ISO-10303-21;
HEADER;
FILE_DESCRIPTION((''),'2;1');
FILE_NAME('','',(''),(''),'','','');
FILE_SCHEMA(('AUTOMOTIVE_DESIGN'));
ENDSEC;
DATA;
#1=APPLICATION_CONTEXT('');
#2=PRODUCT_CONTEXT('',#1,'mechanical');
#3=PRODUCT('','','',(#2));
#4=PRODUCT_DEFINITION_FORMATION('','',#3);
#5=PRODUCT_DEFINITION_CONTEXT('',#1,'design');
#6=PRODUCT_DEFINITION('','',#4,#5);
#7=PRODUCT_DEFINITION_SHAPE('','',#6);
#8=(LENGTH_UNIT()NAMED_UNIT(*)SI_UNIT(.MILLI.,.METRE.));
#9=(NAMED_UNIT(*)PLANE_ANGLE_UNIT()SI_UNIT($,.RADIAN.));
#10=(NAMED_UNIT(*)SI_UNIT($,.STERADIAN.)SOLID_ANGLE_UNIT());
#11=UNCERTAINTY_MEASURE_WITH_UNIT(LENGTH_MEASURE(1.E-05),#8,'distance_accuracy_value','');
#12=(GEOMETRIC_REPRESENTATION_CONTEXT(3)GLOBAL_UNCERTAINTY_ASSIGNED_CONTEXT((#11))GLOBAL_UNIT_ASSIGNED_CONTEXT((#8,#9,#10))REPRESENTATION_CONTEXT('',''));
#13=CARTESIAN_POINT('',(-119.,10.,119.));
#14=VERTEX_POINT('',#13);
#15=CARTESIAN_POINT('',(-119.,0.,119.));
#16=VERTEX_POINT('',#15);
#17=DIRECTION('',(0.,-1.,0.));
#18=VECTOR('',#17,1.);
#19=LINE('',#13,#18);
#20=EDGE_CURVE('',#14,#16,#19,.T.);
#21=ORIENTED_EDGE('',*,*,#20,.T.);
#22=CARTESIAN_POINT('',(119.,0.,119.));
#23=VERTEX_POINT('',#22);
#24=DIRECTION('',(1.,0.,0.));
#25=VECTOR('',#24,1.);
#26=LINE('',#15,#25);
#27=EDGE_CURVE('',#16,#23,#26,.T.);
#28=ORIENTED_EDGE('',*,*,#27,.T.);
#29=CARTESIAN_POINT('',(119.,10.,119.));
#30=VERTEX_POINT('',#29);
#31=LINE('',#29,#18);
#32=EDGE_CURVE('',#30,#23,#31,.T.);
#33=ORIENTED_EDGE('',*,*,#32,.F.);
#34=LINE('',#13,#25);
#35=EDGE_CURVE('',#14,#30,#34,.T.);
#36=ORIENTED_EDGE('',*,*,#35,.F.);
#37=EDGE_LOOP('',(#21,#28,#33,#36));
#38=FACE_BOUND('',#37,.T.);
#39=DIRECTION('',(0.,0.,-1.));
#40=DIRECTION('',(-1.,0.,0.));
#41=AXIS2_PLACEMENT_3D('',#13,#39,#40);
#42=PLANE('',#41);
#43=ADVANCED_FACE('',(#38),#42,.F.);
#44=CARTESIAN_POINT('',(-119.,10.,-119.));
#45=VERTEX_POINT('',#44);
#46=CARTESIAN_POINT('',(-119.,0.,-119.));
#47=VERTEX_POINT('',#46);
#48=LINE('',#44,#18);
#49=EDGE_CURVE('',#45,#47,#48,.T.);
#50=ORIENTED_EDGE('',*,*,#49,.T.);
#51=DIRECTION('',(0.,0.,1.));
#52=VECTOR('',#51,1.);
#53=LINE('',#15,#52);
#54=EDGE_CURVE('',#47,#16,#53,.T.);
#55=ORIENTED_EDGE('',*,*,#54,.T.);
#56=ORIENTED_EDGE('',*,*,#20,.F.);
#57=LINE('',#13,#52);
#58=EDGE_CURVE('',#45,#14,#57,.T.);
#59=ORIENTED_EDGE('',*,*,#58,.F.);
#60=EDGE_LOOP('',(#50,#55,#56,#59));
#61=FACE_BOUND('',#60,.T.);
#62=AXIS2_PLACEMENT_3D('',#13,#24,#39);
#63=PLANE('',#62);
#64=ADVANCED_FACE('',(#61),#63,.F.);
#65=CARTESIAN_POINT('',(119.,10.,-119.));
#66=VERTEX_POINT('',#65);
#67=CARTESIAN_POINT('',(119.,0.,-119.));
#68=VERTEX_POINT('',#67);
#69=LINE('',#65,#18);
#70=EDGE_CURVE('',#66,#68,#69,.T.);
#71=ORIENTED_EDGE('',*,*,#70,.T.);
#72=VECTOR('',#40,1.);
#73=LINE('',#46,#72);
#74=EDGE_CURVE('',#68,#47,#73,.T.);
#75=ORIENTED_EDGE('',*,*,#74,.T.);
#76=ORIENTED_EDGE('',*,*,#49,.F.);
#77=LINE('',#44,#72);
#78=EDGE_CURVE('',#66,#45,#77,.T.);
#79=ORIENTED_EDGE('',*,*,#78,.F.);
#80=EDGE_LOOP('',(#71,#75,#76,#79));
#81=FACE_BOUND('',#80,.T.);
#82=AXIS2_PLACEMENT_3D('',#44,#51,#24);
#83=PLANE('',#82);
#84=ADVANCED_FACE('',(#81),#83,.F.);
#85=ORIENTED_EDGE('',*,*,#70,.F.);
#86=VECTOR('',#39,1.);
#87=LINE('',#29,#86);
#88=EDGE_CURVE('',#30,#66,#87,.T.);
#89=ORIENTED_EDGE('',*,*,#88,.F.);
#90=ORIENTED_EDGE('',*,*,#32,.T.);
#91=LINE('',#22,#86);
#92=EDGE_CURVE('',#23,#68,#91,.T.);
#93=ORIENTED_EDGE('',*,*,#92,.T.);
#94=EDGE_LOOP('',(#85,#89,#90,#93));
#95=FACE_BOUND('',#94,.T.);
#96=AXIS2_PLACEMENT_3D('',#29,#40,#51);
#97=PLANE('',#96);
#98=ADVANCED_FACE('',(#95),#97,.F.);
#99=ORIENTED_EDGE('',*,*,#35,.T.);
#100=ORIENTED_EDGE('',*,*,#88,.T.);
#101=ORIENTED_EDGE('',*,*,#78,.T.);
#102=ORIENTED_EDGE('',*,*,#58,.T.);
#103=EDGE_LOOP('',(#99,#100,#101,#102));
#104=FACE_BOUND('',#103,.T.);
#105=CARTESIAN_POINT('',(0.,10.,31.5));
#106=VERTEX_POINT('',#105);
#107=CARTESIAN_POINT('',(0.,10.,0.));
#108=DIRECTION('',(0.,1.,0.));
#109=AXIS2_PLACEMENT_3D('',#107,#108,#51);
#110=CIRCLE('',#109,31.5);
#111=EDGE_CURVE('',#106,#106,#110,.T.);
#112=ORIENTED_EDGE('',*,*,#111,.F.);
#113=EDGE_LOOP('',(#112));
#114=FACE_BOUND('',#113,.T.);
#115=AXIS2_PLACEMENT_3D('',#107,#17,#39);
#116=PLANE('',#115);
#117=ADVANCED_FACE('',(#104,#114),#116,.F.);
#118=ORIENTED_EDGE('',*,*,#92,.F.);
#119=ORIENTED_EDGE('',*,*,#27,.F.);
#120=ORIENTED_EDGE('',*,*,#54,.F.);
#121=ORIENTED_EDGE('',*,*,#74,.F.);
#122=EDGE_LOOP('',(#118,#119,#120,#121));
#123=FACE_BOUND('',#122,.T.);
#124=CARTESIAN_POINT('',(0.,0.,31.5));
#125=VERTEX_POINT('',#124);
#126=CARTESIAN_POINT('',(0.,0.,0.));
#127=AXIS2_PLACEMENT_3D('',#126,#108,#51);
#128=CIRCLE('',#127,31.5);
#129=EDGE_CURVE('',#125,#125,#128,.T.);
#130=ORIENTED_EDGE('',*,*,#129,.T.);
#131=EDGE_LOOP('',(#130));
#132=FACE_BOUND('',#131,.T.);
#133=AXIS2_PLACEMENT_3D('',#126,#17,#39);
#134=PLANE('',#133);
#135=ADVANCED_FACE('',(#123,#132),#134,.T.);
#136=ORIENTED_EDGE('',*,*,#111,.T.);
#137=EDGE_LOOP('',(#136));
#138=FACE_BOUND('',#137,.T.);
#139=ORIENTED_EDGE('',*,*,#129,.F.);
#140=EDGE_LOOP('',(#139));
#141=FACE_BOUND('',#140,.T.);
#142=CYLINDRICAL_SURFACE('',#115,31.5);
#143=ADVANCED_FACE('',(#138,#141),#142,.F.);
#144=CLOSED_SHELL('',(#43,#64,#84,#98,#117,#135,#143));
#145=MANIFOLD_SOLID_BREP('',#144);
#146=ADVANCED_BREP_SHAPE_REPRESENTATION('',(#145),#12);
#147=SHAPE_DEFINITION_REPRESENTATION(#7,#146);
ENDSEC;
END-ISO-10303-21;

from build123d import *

# Parameters (mm, degrees)
SKETCH1_W           = 238
SKETCH1_H           = 238
SKETCH1_R           = 31.5
BOSS_EXTRUDE1_DEPTH = 10


with BuildPart() as part:
    # Sketch1 → Boss-Extrude1 (new body)
    with BuildSketch(Plane(origin=(0, 0, 0), x_dir=(1, 0, 0), z_dir=(0, 1, 0))):
        Rectangle(SKETCH1_W, SKETCH1_H)
        Circle(SKETCH1_R, mode=Mode.SUBTRACT)
    extrude(amount=BOSS_EXTRUDE1_DEPTH)


solid = part.part
